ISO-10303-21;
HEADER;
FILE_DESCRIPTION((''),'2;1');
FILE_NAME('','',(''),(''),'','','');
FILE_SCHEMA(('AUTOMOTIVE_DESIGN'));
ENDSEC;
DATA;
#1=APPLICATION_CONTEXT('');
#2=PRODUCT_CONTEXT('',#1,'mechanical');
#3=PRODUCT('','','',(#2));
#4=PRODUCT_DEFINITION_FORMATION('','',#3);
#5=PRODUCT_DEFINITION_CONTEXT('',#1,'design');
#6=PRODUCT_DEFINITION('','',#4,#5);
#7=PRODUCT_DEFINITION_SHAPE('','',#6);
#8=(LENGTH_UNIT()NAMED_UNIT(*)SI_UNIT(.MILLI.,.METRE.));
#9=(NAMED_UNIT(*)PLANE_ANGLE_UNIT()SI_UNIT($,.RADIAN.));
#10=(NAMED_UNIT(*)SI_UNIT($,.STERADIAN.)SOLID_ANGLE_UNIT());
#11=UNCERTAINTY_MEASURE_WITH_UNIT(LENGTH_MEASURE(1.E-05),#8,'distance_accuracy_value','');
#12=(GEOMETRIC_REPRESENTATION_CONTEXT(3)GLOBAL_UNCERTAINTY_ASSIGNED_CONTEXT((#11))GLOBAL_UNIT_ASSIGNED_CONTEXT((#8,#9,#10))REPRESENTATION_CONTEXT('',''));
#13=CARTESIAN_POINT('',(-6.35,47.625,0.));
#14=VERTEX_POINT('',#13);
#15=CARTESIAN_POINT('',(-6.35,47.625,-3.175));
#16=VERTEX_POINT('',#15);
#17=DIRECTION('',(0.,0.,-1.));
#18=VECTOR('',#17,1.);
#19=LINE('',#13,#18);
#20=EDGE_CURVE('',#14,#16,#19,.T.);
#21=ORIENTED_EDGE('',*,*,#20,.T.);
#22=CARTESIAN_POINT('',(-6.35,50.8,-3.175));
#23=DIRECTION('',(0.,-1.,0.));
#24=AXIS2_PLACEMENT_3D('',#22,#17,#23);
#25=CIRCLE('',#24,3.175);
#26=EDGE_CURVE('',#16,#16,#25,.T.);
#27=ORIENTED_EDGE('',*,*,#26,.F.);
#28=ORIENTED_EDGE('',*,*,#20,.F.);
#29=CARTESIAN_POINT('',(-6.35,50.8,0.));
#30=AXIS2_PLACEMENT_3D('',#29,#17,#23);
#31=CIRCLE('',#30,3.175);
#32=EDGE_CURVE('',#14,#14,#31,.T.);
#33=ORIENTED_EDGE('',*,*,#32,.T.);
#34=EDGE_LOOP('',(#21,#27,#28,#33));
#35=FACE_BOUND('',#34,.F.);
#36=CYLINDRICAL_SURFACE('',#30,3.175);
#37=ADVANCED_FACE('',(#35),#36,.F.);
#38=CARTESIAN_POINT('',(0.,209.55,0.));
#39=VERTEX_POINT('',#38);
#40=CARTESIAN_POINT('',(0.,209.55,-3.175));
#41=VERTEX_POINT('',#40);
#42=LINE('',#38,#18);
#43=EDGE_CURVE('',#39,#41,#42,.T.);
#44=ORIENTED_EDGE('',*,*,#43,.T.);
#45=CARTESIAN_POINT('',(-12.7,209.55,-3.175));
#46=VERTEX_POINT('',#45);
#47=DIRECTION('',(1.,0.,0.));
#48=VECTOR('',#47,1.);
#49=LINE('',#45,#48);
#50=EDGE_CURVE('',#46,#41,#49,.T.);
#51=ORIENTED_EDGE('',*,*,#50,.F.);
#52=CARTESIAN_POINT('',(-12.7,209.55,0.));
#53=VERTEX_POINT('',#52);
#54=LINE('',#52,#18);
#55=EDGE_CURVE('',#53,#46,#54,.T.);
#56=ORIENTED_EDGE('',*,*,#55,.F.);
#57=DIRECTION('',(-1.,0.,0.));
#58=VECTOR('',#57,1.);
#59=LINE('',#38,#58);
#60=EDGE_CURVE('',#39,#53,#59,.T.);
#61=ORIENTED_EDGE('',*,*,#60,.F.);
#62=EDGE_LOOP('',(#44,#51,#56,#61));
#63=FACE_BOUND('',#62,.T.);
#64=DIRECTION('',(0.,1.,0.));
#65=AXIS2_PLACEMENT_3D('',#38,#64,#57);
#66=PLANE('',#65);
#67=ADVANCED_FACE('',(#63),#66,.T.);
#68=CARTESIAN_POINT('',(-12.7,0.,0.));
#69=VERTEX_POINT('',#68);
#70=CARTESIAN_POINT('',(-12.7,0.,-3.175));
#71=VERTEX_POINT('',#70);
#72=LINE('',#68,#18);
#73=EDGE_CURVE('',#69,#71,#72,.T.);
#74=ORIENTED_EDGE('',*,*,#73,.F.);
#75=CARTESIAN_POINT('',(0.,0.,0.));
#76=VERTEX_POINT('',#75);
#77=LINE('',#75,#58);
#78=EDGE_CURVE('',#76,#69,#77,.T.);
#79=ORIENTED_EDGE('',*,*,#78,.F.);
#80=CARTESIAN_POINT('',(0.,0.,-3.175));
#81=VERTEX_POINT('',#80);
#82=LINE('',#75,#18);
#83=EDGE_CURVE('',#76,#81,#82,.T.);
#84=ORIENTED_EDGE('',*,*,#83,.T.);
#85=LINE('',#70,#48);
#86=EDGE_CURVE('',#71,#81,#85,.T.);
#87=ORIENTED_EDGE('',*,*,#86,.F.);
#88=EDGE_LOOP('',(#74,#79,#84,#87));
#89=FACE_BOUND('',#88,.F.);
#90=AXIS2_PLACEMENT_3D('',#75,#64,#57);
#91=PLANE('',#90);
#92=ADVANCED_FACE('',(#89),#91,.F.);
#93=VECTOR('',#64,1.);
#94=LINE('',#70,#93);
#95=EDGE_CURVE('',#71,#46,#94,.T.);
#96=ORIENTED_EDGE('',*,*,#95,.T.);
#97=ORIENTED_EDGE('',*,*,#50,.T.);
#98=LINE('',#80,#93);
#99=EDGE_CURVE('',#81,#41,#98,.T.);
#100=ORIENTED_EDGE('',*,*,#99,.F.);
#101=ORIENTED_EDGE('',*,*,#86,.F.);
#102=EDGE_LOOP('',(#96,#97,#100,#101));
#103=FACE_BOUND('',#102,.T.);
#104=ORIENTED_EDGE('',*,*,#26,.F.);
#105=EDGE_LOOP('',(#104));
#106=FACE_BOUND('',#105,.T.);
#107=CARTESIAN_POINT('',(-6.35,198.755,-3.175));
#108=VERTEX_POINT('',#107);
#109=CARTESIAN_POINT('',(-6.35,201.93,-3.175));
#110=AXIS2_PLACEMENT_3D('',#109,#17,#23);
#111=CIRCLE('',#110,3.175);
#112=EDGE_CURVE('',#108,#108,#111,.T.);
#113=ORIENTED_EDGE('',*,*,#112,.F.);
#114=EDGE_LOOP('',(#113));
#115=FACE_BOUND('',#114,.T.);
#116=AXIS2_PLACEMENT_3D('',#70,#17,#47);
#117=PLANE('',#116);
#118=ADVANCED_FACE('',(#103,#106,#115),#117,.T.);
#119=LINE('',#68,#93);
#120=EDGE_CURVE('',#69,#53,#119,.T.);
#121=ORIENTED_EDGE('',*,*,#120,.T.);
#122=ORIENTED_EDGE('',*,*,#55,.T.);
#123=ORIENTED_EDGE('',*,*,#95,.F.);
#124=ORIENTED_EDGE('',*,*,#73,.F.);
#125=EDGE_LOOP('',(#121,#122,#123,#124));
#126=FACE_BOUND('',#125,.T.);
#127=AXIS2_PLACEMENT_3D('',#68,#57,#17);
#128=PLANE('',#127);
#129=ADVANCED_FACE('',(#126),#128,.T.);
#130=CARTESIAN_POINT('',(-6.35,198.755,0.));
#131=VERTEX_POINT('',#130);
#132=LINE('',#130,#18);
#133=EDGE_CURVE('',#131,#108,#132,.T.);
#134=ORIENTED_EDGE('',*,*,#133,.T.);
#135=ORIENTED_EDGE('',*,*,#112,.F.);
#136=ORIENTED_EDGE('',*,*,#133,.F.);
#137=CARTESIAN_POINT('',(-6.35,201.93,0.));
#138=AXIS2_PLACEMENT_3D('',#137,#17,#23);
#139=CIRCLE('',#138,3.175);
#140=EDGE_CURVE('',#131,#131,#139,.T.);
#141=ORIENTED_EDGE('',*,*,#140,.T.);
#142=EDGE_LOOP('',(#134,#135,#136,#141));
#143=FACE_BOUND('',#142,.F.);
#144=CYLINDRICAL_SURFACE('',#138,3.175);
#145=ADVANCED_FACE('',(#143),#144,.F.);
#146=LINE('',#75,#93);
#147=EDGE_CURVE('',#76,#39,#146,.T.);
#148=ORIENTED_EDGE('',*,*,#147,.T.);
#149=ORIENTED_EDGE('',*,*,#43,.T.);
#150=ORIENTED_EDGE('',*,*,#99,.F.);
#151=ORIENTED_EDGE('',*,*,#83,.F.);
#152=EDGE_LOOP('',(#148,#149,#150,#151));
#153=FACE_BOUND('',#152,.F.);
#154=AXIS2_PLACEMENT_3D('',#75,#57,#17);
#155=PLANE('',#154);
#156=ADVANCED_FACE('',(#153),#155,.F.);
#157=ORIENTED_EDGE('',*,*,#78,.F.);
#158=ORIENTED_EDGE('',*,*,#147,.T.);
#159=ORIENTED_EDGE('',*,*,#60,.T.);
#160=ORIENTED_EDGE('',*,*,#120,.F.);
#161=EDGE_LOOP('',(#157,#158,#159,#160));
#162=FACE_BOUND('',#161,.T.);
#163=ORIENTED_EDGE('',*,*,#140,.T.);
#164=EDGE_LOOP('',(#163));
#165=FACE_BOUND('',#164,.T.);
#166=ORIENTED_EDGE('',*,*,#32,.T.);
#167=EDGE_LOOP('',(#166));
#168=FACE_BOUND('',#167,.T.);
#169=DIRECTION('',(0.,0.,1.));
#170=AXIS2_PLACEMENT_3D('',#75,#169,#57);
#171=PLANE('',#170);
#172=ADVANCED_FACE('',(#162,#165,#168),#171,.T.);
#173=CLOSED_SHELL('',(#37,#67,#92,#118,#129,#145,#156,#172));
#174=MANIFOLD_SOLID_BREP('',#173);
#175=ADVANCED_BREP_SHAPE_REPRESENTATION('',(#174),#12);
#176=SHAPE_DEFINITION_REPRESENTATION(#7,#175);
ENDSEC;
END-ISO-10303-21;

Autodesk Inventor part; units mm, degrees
ref_plane "YZ Plane" through (0, 0, 0) normal (1, 0, 0) x (0, 1, 0)
ref_plane "XZ Plane" through (0, 0, 0) normal (0, 1, 0) x (-1, 0, 0)
ref_plane "XY Plane" through (0, 0, 0) normal (0, 0, 1) x (1, 0, 0)
sketch "Sketch1" plane through (0, 0, 0) normal (0, 1, 0) x (-1, 0, 0)
  line L0 (0, 0) -> (12.7, 0)
  line L1 (0, 0) -> (0, -3.175)
  line L2 (12.7, 0) -> (12.7, -3.175)
  line L3 (12.7, -3.175) -> (0, -3.175)
  dimension "d2" = 3.175
  dimension "d3" = 12.7
extrude "Extrusion1" add sketch "Sketch1" along normal blind 209.55
sketch "Sketch2" plane through (-12.7, 0, 0) normal (0, 0, 1) x (1, 0, 0)
  line L0 (0, 209.55) -> (12.7, 209.55) projected
  line L1 (0, 0) -> (0, 209.55) projected
  line L2 (12.7, 0) -> (0, 0) projected
  point P0 (6.35, 201.93)
  point P1 (6.35, 50.8)
  dimension "d6" = 7.62
  dimension "d7" = 6.35
  dimension "d8" = 50.8
  dimension "d9" = 6.35
hole "Hole1" at (-6.35, 201.93, 0) at (-6.35, 50.8, 0) direction (0, 0, -1) diameter 6.35 end through all
properties part number "grabber articulation arms"
